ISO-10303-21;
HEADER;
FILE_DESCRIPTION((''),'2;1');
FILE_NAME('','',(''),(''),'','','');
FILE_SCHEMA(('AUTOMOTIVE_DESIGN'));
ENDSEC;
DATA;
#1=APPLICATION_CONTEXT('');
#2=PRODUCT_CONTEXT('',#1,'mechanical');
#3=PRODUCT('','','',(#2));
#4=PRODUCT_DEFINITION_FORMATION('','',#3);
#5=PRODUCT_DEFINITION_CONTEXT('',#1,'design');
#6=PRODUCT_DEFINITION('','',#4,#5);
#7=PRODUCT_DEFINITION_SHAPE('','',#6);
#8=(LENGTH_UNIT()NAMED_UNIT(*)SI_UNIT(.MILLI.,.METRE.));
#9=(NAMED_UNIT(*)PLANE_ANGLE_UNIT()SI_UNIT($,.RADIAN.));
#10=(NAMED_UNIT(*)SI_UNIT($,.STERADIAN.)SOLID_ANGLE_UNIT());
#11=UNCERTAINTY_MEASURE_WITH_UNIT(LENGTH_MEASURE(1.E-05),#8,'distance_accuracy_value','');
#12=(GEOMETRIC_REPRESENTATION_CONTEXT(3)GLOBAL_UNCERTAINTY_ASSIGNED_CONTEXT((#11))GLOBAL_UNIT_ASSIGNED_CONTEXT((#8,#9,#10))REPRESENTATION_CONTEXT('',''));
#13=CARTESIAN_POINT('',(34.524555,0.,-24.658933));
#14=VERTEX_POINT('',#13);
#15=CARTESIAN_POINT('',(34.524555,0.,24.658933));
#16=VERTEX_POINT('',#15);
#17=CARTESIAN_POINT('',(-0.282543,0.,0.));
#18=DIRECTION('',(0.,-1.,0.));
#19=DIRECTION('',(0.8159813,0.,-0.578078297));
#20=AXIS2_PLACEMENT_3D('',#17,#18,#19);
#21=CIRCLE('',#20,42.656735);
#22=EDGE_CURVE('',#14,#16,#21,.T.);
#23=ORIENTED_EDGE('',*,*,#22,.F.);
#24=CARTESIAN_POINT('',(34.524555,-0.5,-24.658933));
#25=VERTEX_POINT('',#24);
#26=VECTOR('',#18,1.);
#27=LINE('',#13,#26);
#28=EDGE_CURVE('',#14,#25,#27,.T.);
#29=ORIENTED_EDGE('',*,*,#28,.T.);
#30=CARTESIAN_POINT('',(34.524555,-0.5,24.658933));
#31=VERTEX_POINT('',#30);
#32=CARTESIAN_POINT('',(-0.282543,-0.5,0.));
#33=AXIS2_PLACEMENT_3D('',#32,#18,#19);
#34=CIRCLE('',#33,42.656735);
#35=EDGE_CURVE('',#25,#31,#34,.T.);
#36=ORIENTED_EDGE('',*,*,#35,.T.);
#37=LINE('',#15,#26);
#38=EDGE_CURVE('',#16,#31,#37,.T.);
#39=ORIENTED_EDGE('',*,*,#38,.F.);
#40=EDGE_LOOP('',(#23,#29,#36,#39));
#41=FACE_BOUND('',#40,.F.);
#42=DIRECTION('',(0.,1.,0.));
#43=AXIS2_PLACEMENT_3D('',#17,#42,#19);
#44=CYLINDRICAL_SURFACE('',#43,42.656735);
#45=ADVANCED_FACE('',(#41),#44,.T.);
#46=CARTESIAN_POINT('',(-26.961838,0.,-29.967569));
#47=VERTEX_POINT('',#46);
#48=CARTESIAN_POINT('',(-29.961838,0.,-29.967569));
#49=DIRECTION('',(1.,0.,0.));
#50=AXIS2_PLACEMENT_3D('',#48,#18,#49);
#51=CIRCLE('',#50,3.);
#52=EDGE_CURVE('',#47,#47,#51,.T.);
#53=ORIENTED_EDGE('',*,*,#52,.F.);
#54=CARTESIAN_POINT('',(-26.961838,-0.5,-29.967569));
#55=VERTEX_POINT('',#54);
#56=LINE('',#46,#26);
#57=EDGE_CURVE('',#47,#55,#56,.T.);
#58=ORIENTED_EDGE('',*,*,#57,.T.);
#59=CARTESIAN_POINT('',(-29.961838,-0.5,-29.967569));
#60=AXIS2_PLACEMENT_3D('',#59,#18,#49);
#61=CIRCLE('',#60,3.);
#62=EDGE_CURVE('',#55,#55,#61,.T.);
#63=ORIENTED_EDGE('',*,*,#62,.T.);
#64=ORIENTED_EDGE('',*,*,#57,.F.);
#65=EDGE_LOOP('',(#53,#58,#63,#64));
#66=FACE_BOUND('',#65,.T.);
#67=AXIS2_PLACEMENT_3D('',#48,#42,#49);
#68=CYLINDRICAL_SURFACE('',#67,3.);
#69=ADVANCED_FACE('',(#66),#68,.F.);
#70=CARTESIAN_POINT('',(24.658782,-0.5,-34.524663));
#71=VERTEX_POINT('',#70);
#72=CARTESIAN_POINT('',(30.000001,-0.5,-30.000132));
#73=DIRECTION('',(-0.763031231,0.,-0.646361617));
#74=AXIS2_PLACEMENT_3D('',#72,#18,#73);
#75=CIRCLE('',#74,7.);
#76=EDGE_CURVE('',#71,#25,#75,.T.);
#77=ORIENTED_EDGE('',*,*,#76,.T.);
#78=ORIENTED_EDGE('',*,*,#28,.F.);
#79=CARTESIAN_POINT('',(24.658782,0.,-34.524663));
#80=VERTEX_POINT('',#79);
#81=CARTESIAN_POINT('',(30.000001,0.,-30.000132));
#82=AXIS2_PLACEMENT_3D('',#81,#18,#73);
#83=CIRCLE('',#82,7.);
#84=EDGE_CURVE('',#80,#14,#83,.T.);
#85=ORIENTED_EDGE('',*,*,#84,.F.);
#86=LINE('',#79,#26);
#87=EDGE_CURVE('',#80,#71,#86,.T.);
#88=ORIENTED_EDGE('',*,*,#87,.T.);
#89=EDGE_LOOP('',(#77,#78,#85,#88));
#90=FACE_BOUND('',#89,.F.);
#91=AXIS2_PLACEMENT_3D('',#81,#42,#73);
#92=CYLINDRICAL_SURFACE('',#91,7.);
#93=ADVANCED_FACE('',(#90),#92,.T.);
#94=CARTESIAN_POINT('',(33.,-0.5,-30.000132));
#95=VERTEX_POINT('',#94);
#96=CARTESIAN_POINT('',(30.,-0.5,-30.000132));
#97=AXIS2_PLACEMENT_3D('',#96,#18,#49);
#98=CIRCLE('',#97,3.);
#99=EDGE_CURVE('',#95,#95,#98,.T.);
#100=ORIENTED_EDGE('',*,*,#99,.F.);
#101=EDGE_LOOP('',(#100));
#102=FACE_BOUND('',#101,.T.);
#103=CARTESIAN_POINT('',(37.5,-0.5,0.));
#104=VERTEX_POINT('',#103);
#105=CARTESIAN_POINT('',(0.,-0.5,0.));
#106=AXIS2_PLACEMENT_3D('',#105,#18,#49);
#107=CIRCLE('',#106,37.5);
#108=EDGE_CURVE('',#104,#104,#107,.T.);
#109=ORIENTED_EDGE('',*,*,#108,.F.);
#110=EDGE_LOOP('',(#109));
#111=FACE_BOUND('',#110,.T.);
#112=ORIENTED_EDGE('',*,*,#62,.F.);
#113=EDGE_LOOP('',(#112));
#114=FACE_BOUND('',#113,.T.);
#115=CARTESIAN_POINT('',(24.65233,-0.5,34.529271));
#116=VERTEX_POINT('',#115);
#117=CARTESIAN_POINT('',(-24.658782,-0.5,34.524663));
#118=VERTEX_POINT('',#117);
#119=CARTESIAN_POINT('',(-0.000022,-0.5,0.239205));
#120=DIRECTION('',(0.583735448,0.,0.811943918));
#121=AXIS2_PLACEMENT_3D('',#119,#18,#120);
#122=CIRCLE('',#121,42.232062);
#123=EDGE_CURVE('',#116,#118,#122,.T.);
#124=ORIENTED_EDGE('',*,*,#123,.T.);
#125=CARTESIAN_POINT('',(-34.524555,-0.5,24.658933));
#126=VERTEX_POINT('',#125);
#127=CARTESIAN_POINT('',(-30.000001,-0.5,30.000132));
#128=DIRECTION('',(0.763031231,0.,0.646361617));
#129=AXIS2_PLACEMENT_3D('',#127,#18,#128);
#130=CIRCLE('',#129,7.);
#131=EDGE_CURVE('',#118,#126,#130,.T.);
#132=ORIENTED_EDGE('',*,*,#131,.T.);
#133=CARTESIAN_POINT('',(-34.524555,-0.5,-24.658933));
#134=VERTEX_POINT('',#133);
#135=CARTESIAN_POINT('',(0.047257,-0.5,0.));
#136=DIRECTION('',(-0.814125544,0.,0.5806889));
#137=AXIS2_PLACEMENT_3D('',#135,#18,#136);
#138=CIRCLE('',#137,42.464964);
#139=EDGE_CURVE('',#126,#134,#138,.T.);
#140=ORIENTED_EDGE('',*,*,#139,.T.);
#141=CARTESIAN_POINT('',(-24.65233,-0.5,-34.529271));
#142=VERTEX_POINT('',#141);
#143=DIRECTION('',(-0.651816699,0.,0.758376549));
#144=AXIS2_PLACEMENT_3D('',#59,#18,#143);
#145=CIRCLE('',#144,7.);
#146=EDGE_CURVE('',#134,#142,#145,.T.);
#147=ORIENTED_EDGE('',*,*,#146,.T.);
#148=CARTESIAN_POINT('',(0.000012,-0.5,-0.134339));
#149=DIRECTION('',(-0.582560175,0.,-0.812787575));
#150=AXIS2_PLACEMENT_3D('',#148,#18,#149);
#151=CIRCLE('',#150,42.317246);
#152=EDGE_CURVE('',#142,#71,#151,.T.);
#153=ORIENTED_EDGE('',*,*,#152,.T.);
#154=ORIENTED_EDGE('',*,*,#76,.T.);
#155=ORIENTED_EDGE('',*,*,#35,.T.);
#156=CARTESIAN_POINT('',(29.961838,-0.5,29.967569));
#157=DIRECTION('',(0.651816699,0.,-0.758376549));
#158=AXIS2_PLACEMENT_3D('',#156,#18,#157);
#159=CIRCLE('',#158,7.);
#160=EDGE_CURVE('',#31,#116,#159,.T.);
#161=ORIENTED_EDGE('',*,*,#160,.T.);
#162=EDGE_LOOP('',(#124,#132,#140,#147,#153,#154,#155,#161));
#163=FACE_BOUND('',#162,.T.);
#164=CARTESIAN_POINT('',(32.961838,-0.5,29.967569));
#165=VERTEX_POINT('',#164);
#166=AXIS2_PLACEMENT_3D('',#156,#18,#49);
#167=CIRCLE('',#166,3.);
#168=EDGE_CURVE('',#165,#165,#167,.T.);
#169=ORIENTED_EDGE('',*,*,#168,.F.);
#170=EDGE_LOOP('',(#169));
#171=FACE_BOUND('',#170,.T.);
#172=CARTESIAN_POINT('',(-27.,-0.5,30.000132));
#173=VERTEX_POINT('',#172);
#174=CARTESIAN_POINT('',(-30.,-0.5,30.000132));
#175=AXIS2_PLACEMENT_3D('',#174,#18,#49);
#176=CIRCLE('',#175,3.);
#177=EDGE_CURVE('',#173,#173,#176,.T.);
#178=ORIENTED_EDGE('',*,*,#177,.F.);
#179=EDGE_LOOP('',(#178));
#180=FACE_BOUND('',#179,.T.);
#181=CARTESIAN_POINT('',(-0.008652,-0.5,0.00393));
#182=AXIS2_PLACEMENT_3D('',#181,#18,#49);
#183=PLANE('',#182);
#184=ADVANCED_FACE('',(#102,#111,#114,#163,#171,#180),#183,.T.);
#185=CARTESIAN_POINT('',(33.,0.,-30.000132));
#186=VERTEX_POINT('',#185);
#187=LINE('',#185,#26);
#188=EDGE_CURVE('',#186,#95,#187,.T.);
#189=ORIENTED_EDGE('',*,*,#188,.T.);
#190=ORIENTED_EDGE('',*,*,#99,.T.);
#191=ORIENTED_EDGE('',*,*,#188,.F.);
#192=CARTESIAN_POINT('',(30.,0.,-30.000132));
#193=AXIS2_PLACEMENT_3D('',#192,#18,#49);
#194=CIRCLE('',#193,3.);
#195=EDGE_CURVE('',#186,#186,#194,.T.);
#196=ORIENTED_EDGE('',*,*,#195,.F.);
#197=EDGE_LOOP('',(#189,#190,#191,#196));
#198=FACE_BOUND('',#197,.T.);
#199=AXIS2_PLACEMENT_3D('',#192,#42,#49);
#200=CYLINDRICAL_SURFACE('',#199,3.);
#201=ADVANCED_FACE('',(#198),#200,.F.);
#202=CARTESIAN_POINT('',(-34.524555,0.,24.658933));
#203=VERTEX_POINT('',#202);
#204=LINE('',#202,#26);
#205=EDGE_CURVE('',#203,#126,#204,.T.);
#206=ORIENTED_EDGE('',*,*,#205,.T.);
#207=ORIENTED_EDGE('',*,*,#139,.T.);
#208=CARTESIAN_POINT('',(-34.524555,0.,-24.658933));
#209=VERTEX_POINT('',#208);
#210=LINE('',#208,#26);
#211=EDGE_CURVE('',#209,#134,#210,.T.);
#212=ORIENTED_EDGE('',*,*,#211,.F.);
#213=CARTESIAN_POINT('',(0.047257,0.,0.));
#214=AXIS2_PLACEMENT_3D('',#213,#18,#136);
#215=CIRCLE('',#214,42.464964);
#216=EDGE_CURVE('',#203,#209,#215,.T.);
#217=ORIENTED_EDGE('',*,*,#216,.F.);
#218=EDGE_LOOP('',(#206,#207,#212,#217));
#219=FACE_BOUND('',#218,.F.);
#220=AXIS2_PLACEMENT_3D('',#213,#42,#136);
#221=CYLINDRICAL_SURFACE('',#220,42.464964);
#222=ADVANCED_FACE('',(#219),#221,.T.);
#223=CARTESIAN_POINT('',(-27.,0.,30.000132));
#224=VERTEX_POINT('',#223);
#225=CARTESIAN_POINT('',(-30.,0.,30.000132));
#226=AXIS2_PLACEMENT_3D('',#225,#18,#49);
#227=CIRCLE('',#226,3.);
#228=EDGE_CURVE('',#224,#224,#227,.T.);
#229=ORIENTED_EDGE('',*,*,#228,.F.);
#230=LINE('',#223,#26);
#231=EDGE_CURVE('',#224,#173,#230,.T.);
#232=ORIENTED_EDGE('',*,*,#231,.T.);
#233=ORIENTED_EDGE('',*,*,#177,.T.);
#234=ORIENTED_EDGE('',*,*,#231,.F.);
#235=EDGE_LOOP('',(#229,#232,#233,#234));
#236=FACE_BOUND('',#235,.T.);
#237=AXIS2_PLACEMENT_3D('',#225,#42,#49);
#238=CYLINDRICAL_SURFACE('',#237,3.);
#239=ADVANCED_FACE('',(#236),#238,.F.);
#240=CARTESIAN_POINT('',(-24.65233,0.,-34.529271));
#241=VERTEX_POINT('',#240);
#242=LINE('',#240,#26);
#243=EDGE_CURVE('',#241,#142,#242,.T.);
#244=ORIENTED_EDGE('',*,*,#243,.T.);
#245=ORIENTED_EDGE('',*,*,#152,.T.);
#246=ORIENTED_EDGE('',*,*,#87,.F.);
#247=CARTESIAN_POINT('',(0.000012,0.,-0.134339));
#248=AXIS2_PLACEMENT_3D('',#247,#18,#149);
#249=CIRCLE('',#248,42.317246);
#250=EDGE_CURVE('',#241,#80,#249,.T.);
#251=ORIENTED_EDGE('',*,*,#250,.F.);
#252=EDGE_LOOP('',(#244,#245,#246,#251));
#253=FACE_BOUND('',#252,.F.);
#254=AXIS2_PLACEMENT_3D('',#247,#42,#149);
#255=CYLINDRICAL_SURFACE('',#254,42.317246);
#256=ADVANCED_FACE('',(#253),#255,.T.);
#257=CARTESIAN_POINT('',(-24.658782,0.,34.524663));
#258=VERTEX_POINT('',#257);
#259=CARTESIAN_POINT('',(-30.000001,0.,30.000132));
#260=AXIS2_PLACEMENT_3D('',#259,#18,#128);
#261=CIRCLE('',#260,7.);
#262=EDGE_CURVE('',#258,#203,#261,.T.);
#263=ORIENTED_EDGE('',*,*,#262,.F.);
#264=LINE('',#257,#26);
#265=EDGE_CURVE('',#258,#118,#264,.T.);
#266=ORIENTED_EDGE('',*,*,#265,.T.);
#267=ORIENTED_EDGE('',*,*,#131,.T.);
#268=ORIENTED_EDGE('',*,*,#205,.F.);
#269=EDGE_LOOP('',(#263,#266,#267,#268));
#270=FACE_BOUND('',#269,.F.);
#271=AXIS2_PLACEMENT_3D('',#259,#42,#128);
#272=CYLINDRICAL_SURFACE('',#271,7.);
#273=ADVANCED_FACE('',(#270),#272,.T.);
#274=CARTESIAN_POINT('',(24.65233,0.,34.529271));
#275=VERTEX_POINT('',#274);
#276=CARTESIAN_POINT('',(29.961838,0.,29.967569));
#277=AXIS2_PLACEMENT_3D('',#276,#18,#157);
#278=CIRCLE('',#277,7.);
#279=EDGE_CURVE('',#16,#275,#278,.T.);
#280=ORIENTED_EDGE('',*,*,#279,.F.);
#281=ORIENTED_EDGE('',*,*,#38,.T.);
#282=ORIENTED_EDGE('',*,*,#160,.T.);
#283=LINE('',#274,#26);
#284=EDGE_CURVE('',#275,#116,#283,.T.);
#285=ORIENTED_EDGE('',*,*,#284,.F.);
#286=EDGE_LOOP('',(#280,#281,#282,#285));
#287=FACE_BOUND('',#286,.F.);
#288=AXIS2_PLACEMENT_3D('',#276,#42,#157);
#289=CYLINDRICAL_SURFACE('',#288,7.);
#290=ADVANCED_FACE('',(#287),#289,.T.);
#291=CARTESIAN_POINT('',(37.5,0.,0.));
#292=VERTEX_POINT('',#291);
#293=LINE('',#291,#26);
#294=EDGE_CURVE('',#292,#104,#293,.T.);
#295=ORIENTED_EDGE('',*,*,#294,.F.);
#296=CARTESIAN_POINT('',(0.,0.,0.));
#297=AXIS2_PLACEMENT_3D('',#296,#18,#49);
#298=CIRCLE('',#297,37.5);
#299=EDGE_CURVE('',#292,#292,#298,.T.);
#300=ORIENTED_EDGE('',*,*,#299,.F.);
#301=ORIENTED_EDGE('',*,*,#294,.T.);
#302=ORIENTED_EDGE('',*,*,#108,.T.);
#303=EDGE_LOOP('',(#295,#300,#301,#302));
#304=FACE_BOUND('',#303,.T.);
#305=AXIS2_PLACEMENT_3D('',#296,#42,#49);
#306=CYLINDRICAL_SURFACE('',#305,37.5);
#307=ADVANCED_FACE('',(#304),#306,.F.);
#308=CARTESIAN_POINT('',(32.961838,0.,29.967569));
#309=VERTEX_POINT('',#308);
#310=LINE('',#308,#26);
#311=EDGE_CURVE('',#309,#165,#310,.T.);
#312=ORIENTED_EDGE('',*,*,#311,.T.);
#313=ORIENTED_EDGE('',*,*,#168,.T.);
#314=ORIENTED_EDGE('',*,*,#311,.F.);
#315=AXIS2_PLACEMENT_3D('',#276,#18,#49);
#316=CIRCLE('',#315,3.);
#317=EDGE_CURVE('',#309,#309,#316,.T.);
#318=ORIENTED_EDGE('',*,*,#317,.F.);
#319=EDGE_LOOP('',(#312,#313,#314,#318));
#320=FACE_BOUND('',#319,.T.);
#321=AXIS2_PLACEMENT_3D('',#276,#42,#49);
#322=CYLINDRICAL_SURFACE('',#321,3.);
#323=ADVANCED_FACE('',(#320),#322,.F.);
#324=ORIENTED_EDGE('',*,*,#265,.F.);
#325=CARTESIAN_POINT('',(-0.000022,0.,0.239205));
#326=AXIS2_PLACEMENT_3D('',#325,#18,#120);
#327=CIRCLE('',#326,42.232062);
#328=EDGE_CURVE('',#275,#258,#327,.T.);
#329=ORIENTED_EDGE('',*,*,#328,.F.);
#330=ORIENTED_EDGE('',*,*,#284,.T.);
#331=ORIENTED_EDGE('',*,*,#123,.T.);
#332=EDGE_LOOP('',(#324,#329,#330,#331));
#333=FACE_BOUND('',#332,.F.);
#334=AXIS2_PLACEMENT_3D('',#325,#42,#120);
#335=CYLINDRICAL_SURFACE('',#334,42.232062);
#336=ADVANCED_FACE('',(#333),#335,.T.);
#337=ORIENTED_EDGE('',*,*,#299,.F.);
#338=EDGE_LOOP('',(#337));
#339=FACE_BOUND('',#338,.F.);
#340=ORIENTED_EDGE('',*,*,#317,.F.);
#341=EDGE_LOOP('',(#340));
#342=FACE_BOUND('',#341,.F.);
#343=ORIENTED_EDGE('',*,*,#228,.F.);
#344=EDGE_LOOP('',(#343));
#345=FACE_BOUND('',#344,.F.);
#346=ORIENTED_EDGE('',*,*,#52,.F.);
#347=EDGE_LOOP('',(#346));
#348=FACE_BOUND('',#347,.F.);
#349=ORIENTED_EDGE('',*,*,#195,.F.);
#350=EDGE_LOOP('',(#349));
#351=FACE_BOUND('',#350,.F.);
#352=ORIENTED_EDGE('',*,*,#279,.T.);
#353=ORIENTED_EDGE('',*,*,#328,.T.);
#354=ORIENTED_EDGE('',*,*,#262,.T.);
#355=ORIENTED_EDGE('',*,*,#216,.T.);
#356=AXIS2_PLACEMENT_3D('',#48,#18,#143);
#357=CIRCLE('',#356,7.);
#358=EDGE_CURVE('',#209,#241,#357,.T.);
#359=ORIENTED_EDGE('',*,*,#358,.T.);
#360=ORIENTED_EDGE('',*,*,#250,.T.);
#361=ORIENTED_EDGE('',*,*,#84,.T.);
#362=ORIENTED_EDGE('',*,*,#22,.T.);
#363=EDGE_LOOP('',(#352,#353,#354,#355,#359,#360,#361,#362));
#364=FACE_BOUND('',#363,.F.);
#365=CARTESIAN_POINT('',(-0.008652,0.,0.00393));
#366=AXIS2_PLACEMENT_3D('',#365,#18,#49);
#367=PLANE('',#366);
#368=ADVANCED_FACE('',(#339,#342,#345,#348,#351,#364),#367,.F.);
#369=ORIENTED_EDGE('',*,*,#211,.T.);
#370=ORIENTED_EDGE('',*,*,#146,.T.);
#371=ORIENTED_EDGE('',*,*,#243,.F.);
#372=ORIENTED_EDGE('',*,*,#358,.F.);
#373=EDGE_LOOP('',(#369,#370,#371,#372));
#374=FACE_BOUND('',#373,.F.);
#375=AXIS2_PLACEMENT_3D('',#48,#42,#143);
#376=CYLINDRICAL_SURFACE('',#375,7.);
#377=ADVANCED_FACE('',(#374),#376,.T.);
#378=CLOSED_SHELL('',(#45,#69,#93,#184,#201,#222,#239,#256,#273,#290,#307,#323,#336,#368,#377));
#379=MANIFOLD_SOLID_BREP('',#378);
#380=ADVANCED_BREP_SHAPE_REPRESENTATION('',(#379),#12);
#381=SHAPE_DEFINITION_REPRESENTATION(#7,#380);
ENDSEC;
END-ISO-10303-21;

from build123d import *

# Parameters (mm, degrees)
F0_R     = 3
F0_R_2   = 37.5
F1_DEPTH = 0.5


with BuildPart() as f1:
    # F0 (on Front) → F1 (new body)
    with BuildSketch(Plane.XZ):
        with BuildLine():
            ThreePointArc((24.65233, 34.529271), (-0.003968, 42.471267), (-24.658782, 34.524663))
            ThreePointArc((-24.658782, 34.524663), (-34.949737, 34.94989), (-34.524555, 24.658933))
            ThreePointArc((-34.524555, 24.658933), (-42.417707, 0), (-34.524555, -24.658933))
            ThreePointArc((-34.524555, -24.658933), (-34.911112, -34.91779), (-24.65233, -34.529271))
            ThreePointArc((-24.65233, -34.529271), (0.003966, -42.451585), (24.658782, -34.524663))
            ThreePointArc((24.658782, -34.524663), (34.949737, -34.94989), (34.524555, -24.658933))
            ThreePointArc((34.524555, -24.658933), (42.374192, 0), (34.524555, 24.658933))
            ThreePointArc((34.524555, 24.658933), (34.911112, 34.91779), (24.65233, 34.529271))
        make_face()
        with Locations((-29.961838, -29.967569)):
            Circle(F0_R, mode=Mode.SUBTRACT)
        with Locations((30, -30.000132)):
            Circle(F0_R, mode=Mode.SUBTRACT)
        Circle(F0_R_2, mode=Mode.SUBTRACT)
        with Locations((-30, 30.000132)):
            Circle(F0_R, mode=Mode.SUBTRACT)
        with Locations((29.961838, 29.967569)):
            Circle(F0_R, mode=Mode.SUBTRACT)
    extrude(amount=F1_DEPTH)


solid = f1.part
